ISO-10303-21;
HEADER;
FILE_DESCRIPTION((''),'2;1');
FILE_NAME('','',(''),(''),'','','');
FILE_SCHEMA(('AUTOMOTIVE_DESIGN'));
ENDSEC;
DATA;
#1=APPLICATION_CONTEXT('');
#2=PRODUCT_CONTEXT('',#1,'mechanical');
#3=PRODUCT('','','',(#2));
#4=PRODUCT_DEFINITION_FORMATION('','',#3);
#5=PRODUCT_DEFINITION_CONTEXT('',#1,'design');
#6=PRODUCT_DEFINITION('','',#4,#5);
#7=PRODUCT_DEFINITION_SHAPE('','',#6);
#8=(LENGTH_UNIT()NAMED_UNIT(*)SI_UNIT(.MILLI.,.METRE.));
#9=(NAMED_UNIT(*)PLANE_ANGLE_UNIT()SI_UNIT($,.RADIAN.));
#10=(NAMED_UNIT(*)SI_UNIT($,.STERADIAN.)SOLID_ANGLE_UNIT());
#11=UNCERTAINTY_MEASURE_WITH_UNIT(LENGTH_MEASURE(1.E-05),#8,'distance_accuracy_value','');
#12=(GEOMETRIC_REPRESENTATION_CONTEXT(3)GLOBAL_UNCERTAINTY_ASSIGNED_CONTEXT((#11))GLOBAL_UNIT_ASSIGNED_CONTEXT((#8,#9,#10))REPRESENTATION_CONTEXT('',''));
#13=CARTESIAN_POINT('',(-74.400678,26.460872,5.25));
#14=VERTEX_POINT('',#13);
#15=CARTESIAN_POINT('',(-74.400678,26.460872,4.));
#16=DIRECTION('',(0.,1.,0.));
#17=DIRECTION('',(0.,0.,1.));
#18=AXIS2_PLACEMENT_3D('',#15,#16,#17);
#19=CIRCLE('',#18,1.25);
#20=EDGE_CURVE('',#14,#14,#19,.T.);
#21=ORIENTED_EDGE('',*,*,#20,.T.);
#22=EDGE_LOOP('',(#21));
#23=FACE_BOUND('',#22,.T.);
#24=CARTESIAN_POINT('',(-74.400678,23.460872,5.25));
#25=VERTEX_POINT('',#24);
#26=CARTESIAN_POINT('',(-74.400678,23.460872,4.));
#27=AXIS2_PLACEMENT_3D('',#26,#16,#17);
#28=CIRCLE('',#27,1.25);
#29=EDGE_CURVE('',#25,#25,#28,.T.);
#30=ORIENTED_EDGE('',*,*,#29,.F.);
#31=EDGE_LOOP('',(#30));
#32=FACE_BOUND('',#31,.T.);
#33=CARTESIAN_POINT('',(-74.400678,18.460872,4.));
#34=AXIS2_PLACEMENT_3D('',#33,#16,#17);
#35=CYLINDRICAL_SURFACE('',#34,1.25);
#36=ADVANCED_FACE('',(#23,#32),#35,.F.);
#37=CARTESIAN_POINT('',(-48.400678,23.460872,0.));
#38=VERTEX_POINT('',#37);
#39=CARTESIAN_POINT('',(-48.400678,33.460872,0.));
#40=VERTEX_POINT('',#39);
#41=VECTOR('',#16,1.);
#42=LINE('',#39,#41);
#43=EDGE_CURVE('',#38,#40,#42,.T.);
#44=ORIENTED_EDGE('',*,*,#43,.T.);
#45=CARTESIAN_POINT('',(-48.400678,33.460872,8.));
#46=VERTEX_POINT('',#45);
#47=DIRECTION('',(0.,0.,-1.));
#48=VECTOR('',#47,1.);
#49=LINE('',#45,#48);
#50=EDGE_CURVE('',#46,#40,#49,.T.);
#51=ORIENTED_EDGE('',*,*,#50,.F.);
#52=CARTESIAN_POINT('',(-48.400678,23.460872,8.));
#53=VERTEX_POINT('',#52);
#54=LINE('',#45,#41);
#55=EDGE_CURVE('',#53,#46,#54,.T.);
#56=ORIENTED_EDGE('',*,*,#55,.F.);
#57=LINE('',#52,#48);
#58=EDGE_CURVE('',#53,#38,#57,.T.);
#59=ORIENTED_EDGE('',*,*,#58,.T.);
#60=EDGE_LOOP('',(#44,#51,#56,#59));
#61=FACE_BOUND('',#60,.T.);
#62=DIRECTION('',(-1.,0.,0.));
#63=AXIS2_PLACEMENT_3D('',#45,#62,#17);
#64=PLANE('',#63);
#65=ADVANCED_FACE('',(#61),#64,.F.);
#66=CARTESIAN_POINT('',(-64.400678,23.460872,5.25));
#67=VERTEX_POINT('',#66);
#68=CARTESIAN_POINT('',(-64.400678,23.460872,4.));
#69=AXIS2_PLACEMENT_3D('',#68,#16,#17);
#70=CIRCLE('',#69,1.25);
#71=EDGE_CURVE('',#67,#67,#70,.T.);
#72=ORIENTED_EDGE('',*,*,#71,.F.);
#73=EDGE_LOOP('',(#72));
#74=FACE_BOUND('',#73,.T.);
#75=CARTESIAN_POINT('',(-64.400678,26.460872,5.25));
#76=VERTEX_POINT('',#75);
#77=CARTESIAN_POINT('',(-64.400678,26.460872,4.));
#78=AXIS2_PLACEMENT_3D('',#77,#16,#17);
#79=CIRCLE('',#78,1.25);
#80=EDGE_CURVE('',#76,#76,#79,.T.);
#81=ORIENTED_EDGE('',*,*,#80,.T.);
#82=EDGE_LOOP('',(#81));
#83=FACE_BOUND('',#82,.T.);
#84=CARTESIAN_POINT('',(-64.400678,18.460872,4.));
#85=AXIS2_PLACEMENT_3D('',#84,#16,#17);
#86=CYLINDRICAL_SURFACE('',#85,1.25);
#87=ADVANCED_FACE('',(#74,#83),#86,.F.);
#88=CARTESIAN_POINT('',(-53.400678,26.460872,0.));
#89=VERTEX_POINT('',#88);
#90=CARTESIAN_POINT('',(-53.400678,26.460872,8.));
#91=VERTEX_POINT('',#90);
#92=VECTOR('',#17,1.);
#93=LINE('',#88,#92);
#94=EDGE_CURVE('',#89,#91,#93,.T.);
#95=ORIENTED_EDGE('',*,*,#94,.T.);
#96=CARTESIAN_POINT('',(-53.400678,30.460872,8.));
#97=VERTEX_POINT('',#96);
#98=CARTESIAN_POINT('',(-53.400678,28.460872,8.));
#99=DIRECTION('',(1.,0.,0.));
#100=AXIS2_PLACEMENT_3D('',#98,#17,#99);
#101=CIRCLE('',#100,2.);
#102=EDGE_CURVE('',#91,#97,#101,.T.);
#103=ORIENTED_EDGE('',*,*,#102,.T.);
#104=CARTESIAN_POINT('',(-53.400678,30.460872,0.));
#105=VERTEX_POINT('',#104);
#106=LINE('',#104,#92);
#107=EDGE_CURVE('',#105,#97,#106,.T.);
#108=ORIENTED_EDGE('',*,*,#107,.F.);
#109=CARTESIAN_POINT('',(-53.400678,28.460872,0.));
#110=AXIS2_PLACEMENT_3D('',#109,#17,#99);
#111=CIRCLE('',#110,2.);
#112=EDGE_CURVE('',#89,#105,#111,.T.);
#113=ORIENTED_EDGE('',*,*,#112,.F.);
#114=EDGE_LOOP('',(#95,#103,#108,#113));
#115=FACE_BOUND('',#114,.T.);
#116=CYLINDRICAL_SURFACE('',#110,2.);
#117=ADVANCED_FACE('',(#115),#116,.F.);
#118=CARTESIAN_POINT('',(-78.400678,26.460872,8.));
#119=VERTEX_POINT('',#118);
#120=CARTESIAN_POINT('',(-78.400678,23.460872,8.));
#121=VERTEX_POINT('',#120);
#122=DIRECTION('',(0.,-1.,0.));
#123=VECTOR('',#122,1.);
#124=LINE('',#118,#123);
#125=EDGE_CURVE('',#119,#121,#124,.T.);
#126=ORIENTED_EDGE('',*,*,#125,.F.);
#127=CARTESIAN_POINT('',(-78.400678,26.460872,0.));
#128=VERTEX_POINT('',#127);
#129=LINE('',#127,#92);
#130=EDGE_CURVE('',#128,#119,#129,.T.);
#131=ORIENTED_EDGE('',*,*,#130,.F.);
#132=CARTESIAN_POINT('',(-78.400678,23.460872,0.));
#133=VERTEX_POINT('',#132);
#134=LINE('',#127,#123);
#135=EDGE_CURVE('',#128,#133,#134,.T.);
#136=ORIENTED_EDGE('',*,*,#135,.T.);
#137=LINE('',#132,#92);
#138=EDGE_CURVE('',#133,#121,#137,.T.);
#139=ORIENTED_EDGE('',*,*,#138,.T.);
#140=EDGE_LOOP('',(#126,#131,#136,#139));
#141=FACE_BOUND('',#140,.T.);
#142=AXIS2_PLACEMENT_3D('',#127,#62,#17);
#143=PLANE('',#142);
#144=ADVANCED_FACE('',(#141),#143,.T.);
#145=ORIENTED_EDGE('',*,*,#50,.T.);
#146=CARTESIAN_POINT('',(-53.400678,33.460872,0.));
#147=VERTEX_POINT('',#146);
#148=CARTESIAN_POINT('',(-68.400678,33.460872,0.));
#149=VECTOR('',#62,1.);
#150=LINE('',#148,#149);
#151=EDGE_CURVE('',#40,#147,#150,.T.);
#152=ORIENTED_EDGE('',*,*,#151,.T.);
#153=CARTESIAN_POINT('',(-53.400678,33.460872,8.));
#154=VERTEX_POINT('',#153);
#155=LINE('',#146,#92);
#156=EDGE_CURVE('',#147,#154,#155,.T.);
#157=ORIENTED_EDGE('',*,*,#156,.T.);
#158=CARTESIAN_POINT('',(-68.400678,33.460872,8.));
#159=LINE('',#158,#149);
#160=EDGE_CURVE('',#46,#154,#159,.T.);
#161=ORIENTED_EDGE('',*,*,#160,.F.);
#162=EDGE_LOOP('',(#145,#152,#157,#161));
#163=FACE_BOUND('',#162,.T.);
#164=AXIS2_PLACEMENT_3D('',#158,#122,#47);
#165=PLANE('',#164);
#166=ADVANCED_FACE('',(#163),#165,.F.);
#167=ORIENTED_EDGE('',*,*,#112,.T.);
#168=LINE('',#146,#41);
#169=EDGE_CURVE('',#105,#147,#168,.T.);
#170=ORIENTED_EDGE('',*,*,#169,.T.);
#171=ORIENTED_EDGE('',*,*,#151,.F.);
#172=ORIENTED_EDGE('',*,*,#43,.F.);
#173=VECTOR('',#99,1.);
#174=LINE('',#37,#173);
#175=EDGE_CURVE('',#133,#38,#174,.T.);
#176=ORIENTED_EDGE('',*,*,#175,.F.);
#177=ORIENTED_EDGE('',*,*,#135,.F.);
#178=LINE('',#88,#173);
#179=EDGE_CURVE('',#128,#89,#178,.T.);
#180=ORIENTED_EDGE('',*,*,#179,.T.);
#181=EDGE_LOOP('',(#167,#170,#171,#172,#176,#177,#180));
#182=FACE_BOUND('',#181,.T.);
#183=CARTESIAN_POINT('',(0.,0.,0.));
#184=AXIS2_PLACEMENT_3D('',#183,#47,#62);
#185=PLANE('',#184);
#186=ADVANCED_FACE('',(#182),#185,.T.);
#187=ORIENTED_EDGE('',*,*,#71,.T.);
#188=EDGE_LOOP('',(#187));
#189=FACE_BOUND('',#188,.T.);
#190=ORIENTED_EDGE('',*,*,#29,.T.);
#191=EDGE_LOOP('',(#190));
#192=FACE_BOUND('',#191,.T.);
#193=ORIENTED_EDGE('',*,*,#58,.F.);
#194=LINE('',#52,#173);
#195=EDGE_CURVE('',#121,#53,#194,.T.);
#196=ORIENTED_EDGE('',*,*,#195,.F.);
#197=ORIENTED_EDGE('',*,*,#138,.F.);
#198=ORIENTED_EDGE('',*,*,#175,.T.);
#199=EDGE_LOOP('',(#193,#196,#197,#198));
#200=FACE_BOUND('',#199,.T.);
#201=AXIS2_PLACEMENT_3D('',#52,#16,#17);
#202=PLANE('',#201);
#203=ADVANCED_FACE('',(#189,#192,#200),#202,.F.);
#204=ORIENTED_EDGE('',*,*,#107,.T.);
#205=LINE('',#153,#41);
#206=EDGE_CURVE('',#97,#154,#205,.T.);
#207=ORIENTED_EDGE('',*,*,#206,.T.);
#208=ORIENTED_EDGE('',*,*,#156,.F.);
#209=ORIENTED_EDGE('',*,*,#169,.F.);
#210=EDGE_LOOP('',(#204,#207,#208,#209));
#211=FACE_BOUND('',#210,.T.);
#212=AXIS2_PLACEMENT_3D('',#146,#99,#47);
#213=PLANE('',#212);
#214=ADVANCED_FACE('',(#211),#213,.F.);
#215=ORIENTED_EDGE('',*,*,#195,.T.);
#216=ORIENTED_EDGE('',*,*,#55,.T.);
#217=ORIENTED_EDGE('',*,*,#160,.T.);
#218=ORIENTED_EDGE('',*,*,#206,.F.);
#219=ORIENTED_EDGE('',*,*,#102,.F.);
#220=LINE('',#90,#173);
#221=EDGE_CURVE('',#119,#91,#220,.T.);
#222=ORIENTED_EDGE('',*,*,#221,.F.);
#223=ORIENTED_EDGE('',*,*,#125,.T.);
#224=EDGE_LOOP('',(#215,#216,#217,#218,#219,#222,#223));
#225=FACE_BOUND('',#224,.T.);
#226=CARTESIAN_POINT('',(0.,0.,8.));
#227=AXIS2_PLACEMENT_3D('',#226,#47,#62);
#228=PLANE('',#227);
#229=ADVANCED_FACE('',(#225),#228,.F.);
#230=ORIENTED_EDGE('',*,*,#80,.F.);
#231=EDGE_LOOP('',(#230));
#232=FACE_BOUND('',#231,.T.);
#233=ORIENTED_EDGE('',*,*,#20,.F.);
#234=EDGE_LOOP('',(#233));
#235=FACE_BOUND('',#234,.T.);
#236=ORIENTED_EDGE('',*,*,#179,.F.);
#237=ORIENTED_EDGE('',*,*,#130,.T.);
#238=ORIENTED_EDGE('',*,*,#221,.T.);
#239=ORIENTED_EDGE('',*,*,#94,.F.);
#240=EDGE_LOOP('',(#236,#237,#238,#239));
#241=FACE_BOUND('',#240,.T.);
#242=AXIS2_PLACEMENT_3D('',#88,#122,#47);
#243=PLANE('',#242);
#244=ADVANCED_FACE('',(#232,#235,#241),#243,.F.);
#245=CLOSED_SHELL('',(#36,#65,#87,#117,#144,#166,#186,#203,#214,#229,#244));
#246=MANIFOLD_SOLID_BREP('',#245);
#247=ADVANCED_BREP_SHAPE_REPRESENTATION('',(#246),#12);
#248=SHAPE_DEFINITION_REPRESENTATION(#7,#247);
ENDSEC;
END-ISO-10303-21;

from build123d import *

# Parameters (mm, degrees)
SKETCH1_W           = 20
SKETCH1_H           = 10
BOSS_EXTRUDE1_DEPTH = 8
CUT_EXTRUDE2_DEPTH  = 8
SKETCH3_W           = 10
SKETCH3_H           = 3
BOSS_EXTRUDE2_DEPTH = 8
SKETCH4_R           = 1.25
CUT_EXTRUDE3_DEPTH  = 8
SKETCH5_R           = 1.25
CUT_EXTRUDE4_DEPTH  = 8


with BuildPart() as part:
    # Sketch1 → Boss-Extrude1 (new body)
    with BuildSketch(Plane.XY):
        with Locations((-58.400678179, 28.460872298)):
            Rectangle(SKETCH1_W, SKETCH1_H)
    extrude(amount=BOSS_EXTRUDE1_DEPTH)

    # Sketch2 → Cut-Extrude2 (cut)
    with BuildSketch(Plane.XY.offset(8)):
        with BuildLine():
            Line((-53.400678179, 33.460872298), (-53.400678179, 30.460872298))
            ThreePointArc((-53.400678179, 30.460872298), (-51.400678179, 28.460872298), (-53.400678179, 26.460872298))
            Line((-53.400678179, 26.460872298), (-68.400678179, 26.460872298))
            Line((-68.400678179, 26.460872298), (-68.400678179, 33.460872298))
            Line((-68.400678179, 33.460872298), (-53.400678179, 33.460872298))
        make_face()
    extrude(amount=-CUT_EXTRUDE2_DEPTH, mode=Mode.SUBTRACT)

    # Sketch3 → Boss-Extrude2 (add)
    with BuildSketch(Plane.XY.offset(8)):
        with Locations((-73.400678179, 24.960872298)):
            Rectangle(SKETCH3_W, SKETCH3_H)
    extrude(amount=-BOSS_EXTRUDE2_DEPTH)

    # Sketch4 → Cut-Extrude3 (cut)
    with BuildSketch(Plane(origin=(0, 26.460872298, 0), x_dir=(1, 0, 0), z_dir=(0, 1, 0))):
        with Locations(Location((-74.400678179, -4, 0), (0, 0, 270))):
            Circle(SKETCH4_R)
    extrude(amount=-CUT_EXTRUDE3_DEPTH, mode=Mode.SUBTRACT)

    # Sketch5 → Cut-Extrude4 (cut)
    with BuildSketch(Plane(origin=(0, 26.460872298, 0), x_dir=(1, 0, 0), z_dir=(0, 1, 0))):
        with Locations(Location((-64.400678179, -4, 0), (0, 0, 270))):
            Circle(SKETCH5_R)
    extrude(amount=-CUT_EXTRUDE4_DEPTH, mode=Mode.SUBTRACT)


solid = part.part
